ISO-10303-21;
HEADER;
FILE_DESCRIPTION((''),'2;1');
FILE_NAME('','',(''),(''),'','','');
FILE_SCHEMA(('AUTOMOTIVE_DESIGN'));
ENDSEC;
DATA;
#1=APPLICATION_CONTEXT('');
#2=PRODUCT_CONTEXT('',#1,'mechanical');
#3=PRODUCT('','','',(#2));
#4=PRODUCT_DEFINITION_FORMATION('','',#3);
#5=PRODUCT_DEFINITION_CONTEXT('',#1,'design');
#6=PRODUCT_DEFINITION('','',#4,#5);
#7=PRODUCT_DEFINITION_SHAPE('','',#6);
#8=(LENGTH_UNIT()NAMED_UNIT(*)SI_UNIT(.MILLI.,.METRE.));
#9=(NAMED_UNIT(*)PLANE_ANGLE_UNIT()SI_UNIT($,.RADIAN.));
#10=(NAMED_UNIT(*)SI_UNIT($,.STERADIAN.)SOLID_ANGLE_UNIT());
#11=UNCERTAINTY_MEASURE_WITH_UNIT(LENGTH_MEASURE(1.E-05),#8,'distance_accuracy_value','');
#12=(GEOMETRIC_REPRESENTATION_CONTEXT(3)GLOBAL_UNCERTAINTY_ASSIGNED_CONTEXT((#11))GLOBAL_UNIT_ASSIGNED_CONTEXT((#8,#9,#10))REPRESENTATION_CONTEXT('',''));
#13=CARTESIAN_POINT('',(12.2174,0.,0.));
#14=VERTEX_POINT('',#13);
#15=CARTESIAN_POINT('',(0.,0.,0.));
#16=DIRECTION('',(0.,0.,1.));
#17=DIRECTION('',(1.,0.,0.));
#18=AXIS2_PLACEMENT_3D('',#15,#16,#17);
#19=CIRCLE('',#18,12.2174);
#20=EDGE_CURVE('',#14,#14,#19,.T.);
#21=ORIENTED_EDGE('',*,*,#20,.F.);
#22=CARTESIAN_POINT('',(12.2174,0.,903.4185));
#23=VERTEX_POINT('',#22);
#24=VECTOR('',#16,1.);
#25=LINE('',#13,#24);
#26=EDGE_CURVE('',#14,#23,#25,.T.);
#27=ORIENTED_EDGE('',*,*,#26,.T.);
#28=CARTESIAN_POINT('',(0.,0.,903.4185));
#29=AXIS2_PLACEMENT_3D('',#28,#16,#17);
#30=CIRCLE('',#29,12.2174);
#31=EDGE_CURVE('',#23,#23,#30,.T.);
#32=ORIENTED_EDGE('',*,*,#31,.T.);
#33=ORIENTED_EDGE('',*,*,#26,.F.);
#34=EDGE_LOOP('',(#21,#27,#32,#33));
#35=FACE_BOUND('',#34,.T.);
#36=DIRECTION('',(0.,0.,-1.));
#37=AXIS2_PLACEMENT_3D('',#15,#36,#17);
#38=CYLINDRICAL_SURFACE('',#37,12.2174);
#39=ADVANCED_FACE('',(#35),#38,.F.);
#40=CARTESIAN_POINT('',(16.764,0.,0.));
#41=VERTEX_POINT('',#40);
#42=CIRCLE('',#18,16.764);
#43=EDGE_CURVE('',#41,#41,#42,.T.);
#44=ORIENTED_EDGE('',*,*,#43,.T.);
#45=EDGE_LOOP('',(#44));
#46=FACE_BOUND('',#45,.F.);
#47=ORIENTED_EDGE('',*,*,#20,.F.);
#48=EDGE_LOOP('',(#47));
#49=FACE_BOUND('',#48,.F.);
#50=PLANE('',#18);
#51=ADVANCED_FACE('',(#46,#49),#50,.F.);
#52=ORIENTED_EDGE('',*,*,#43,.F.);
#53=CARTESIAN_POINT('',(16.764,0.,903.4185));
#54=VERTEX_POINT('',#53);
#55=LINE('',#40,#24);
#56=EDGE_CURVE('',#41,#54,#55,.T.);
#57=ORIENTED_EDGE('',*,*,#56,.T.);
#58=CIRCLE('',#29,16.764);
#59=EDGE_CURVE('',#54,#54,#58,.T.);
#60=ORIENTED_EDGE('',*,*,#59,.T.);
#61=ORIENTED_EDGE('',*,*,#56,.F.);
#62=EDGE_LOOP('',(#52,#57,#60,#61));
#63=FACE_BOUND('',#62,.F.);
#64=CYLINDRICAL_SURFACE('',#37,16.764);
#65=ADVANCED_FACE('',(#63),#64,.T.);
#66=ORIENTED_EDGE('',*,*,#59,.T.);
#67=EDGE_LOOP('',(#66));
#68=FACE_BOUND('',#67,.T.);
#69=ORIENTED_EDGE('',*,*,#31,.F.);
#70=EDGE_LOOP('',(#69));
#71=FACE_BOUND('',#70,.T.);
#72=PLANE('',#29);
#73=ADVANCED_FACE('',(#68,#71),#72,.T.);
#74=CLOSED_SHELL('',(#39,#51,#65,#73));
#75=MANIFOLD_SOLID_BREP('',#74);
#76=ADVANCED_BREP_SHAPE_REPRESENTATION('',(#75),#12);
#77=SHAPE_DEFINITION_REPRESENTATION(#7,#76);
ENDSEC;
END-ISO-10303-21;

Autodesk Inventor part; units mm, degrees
ref_plane "YZ Plane" through (0, 0, 0) normal (1, 0, 0) x (0, 1, 0)
ref_plane "Start Plane" through (0, 0, 0) normal (0, 0, 1) x (1, 0, 0)
ref_plane "End Plane" through (0, 0, 903.4185) normal (0, 0, 1) x (1, 0, 0)
sketch "Sketch" plane through (0, 0, 0) normal (0, 0, 1) x (1, 0, 0)
  circle A0 centre (0, 0) radius 12.2174
  circle A1 centre (0, 0) radius 16.764
  dimension "d0" = 33.528
  dimension "d1" = 4.5466
extrude "Body" add sketch "Sketch" along normal up to surface (903.4185 mm away) from surface at 0
sketch "Sketch3" plane through (0, 0, 0) normal (0, 0, 1) x (1, 0, 0)
  line L0 (0, 0) -> (10, 0)
ref_plane "Work Plane3" through (0, 0, 0) normal (0, -1, 0) x (1, 0, 0)
sketch "Sketch4" plane through (0, 0, 0) normal (0, -1, 0) x (1, 0, 0)
  line L0 (-2, 0) -> (12, 0) projected
  line L1 (-2, 903.4185) -> (12, 903.4185) projected
  dimension "d7" = 903.4185
equation "\"d0\" = G_H"
equation "\"d1\" = G_T"
equation "\"d2\" = G_L"
equation "\"G_H\" = 33.528"
equation "\"G_T\" = 4.5466"
equation "\"G_L\" = d7"
equation "\"G_OFFSET_START\" = 0"
equation "\"G_OFFSET_END\" = 0"
equation "\"d5\" = G_OFFSET_END + B_L"
equation "\"B_L\" = 903.41854"
properties part number "ANSI - 1 x 0.179 - 35.568" material "Steel, Mild"
